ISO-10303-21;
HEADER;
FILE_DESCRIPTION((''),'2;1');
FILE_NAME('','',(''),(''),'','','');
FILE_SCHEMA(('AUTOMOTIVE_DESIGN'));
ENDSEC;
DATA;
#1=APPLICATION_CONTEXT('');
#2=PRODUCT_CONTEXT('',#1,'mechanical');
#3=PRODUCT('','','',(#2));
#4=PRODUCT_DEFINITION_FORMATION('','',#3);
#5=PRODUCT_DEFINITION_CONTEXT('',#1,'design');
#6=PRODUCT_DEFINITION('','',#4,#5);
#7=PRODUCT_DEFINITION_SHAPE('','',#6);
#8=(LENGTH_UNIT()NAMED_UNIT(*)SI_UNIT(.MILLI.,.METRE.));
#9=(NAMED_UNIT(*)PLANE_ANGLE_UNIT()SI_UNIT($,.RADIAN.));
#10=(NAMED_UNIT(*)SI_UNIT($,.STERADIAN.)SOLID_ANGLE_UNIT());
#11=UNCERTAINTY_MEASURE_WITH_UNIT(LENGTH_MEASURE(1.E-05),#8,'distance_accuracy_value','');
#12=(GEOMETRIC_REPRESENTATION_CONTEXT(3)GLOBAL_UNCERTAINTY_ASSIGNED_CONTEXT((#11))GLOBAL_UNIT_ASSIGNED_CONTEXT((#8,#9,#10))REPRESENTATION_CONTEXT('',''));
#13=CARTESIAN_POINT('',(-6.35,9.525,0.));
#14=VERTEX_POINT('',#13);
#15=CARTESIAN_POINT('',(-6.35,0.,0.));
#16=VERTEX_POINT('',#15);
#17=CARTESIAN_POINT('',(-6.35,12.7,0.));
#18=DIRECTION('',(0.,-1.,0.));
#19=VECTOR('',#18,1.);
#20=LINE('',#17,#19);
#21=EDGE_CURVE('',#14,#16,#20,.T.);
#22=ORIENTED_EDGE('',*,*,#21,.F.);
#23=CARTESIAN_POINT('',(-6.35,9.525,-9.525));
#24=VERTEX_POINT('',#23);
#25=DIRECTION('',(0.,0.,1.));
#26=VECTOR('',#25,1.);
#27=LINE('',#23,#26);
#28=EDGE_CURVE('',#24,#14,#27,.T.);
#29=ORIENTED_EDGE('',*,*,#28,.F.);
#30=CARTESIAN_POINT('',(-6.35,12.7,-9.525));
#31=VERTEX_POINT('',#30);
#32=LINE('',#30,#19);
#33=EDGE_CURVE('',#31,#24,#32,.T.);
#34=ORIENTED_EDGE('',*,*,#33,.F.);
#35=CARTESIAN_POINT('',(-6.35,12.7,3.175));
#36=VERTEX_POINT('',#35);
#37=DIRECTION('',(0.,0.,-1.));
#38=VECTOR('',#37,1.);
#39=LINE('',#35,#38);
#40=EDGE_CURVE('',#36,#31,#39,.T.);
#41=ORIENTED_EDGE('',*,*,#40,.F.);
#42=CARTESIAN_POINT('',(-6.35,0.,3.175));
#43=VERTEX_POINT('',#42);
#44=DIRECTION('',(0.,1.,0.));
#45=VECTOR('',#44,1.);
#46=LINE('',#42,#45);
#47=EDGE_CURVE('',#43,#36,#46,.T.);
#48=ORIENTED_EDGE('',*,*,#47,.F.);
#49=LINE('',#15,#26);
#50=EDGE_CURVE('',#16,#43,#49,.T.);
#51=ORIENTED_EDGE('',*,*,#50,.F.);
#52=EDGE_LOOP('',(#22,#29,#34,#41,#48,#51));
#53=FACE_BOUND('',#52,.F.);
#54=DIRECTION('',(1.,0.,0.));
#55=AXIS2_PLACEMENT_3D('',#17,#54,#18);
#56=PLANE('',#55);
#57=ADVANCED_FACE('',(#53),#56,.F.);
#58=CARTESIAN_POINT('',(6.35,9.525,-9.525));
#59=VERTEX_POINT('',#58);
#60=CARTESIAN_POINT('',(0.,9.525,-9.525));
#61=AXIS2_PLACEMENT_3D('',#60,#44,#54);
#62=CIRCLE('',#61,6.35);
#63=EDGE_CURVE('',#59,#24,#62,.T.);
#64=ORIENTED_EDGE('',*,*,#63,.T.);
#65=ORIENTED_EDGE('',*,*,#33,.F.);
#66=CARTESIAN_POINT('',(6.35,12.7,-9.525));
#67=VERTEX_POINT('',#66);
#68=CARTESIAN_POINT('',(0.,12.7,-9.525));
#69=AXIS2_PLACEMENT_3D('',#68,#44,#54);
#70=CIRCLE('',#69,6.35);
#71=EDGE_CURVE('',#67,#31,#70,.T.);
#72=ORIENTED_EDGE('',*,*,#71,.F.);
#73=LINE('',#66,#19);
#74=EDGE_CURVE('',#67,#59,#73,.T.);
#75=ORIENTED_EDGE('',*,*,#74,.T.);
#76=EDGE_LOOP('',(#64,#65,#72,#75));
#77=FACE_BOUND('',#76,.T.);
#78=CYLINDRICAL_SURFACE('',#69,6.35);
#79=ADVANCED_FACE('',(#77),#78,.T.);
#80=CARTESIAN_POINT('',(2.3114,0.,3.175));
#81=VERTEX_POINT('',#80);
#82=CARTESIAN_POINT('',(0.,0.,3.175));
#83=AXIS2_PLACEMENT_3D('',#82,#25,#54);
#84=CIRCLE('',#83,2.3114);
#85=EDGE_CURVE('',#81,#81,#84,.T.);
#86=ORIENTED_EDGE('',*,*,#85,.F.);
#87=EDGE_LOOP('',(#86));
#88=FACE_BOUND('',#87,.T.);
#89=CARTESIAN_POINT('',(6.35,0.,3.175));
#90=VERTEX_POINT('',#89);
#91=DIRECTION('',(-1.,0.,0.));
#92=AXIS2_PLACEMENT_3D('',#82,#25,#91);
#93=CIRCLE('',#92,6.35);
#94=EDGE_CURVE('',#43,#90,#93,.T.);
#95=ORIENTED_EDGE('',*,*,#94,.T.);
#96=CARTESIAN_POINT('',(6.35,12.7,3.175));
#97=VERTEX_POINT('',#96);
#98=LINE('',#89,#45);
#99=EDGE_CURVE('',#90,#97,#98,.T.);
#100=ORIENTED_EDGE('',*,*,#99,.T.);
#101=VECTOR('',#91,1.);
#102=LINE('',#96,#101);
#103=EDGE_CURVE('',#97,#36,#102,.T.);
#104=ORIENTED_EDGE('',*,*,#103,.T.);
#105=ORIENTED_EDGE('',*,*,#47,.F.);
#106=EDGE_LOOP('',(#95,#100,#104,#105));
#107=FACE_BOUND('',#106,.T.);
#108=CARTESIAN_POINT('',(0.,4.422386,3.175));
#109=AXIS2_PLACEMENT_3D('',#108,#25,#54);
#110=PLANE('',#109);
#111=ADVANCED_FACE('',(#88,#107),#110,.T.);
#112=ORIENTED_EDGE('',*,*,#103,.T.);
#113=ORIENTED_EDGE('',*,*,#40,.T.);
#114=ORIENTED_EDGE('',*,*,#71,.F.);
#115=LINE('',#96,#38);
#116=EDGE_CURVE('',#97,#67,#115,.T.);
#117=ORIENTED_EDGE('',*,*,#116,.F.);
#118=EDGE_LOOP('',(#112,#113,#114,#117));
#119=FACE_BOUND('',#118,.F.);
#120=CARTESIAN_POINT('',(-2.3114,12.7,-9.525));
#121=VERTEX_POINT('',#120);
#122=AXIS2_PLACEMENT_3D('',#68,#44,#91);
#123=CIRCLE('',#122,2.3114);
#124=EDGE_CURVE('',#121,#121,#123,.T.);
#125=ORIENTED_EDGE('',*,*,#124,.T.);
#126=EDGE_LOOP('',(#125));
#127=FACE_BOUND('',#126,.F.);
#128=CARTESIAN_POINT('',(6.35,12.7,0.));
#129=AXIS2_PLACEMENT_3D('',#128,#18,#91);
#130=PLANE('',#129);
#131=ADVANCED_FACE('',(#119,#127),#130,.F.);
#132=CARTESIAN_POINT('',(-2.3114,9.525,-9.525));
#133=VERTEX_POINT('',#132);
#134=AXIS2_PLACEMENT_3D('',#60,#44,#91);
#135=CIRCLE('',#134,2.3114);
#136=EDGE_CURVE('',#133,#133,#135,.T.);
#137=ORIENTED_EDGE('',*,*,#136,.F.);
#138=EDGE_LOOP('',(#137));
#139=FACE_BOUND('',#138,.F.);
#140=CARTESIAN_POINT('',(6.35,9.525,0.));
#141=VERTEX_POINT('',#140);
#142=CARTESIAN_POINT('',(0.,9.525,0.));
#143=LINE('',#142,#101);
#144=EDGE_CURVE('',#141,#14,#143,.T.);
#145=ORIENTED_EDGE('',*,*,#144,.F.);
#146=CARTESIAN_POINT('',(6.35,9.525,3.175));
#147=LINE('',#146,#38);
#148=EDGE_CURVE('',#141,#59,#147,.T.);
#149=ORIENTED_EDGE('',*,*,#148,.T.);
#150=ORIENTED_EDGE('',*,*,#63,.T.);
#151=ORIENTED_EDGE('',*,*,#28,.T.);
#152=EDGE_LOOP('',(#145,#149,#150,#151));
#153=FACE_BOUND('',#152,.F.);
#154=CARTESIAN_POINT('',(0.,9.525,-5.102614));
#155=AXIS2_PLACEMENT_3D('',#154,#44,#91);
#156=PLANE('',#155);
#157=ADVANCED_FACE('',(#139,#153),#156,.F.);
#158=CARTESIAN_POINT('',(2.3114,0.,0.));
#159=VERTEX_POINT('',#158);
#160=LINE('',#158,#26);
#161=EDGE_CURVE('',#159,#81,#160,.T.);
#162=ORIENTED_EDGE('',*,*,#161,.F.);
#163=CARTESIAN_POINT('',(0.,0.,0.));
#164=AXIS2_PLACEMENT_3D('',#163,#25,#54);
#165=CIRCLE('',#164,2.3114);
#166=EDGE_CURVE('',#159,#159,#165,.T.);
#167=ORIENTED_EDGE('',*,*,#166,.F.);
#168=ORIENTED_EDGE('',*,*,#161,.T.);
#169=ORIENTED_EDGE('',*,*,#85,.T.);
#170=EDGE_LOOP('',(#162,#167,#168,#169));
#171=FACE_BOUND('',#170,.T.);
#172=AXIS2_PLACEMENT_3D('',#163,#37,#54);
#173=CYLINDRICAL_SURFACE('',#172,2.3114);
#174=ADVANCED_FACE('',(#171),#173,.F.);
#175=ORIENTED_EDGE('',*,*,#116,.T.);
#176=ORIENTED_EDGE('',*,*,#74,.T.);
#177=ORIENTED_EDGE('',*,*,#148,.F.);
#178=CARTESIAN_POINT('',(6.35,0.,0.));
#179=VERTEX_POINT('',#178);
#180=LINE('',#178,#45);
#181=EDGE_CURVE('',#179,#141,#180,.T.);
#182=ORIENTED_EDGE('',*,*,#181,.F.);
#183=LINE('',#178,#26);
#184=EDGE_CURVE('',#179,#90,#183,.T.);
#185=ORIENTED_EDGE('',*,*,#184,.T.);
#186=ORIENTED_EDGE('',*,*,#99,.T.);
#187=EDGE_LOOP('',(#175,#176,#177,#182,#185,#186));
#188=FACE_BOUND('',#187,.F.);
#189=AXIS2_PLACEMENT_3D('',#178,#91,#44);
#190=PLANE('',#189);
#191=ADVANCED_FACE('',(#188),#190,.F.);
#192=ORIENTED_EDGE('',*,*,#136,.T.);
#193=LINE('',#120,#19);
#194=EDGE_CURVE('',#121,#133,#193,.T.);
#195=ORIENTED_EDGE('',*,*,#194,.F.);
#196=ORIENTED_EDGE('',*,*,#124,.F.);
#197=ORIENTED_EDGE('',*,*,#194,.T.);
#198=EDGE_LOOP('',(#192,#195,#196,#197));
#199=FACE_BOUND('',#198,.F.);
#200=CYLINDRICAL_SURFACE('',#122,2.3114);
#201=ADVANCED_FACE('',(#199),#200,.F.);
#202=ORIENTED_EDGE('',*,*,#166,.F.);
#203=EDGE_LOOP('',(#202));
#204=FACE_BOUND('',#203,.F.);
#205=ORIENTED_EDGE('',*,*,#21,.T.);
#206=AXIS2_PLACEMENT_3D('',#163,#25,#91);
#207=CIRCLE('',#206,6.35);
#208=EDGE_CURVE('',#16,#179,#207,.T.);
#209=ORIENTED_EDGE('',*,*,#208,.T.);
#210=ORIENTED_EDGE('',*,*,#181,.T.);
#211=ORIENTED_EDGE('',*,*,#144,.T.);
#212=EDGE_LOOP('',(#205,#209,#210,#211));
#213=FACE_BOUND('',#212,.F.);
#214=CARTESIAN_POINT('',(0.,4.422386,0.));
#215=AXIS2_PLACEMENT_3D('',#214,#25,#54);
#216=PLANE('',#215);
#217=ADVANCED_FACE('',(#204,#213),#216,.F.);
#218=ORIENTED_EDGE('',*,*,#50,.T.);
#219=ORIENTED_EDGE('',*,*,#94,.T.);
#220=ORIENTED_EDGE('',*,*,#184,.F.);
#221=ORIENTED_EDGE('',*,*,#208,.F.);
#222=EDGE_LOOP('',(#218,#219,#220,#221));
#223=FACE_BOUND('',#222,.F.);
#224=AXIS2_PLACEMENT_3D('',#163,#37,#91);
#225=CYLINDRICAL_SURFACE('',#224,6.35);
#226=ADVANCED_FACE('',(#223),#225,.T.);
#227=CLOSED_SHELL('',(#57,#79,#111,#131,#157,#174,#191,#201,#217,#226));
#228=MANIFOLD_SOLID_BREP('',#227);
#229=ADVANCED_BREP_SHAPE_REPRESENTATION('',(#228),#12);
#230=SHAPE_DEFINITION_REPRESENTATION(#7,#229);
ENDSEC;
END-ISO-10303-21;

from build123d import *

# Parameters (mm, degrees)
F0_R     = 2.3114
F1_DEPTH = 3.175
F2_R     = 2.3114
F3_DEPTH = 3.175


with BuildPart() as f1:
    # F0 (on Top) → F1 (new body)
    with BuildSketch(Plane.XY):
        with BuildLine():
            Line((-6.35, 12.7), (-6.35, 0))
            ThreePointArc((-6.35, 0), (0, -6.35), (6.35, 0))
            Line((6.35, 0), (6.35, 12.7))
            Line((6.35, 12.7), (-6.35, 12.7))
        make_face()
        Circle(F0_R, mode=Mode.SUBTRACT)
    extrude(amount=F1_DEPTH)

    # F2 (on face) → F3 (join)
    with BuildSketch(Plane(origin=(0, 12.7, 0), x_dir=(-1, 0, 0), z_dir=(0, 1, 0))):
        with BuildLine():
            Line((-6.35, 3.175), (-6.35, -9.525))
            ThreePointArc((-6.35, -9.525), (0, -15.875), (6.35, -9.525))
            Line((6.35, -9.525), (6.35, 3.175))
            Line((6.35, 3.175), (-6.35, 3.175))
        make_face()
        with Locations((0, -9.525)):
            Circle(F2_R, mode=Mode.SUBTRACT)
    extrude(amount=-F3_DEPTH)


solid = f1.part
